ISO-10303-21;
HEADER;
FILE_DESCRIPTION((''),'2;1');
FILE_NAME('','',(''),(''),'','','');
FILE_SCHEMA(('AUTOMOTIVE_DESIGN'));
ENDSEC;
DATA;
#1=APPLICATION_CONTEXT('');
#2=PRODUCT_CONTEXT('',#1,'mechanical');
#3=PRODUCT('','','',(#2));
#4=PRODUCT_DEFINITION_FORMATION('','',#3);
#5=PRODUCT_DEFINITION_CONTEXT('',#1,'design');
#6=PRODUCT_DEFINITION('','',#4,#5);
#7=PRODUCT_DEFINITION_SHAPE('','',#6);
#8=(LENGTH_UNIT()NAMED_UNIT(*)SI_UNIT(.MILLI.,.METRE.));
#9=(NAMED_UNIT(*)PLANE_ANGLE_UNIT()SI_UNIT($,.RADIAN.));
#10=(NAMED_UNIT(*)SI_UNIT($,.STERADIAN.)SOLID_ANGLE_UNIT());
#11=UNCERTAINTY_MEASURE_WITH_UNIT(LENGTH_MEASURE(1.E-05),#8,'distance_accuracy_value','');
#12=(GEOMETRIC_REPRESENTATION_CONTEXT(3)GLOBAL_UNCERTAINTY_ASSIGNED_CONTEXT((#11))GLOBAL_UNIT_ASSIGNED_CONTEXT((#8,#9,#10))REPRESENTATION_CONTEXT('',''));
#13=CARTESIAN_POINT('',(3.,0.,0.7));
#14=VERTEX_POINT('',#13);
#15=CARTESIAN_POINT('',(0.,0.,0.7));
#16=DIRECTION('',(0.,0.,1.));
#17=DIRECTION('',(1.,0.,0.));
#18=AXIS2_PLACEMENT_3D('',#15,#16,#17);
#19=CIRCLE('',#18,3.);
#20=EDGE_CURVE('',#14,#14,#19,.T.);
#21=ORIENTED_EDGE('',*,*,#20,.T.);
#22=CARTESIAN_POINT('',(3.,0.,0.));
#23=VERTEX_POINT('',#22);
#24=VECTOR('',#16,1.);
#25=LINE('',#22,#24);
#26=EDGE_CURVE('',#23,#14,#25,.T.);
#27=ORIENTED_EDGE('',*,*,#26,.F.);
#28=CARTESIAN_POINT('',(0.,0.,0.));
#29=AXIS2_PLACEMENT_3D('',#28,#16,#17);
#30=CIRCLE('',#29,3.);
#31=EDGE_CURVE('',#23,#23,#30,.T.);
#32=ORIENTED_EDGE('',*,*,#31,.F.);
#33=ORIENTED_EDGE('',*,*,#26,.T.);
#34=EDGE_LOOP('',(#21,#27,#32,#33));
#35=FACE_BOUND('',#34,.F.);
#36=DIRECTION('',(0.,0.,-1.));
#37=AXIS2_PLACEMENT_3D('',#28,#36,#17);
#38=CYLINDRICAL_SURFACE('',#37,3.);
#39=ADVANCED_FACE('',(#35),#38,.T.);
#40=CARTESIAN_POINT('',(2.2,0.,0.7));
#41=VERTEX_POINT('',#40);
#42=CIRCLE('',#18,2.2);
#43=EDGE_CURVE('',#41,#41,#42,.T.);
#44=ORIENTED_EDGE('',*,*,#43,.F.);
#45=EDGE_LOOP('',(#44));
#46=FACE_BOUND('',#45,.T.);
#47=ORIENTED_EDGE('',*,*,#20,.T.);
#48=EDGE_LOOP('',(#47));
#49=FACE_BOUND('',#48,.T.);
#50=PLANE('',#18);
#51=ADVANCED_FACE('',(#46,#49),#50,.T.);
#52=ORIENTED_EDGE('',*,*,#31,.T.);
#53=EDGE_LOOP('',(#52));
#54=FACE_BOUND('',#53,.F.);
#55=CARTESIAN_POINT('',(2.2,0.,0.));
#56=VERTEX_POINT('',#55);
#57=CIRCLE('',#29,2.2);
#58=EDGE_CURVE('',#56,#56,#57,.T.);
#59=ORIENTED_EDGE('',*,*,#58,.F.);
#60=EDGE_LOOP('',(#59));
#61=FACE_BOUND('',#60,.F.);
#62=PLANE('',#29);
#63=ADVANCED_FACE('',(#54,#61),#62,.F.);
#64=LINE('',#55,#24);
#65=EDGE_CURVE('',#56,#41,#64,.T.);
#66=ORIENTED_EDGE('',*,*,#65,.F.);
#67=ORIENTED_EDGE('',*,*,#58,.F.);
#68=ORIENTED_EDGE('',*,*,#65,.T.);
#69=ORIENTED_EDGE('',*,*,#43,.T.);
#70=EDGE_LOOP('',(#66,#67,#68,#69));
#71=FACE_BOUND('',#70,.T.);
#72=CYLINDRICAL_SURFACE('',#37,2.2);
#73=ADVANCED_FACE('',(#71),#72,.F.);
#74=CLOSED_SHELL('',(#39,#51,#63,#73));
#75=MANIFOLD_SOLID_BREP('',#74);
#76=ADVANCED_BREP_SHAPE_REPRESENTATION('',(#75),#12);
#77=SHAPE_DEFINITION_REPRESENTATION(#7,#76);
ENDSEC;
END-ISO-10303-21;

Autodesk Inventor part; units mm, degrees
ref_plane "YZ Plane" through (0, 0, 0) normal (1, 0, 0) x (0, 1, 0)
ref_plane "XZ Plane" through (0, 0, 0) normal (0, 1, 0) x (-1, 0, 0)
ref_plane "XY Plane" through (0, 0, 0) normal (0, 0, 1) x (1, 0, 0)
sketch "Sketch1" plane through (0, 0, 0) normal (0, 0, 1) x (1, 0, 0)
  circle A0 centre (0, 0) radius 2.2
  circle A1 centre (0, 0) radius 3
  dimension "d0" = 4.4
  dimension "d3" = 6
extrude "Extrusion1" add sketch "Sketch1" along normal blind 0.7
properties part number "YBeltWasher4.4"
